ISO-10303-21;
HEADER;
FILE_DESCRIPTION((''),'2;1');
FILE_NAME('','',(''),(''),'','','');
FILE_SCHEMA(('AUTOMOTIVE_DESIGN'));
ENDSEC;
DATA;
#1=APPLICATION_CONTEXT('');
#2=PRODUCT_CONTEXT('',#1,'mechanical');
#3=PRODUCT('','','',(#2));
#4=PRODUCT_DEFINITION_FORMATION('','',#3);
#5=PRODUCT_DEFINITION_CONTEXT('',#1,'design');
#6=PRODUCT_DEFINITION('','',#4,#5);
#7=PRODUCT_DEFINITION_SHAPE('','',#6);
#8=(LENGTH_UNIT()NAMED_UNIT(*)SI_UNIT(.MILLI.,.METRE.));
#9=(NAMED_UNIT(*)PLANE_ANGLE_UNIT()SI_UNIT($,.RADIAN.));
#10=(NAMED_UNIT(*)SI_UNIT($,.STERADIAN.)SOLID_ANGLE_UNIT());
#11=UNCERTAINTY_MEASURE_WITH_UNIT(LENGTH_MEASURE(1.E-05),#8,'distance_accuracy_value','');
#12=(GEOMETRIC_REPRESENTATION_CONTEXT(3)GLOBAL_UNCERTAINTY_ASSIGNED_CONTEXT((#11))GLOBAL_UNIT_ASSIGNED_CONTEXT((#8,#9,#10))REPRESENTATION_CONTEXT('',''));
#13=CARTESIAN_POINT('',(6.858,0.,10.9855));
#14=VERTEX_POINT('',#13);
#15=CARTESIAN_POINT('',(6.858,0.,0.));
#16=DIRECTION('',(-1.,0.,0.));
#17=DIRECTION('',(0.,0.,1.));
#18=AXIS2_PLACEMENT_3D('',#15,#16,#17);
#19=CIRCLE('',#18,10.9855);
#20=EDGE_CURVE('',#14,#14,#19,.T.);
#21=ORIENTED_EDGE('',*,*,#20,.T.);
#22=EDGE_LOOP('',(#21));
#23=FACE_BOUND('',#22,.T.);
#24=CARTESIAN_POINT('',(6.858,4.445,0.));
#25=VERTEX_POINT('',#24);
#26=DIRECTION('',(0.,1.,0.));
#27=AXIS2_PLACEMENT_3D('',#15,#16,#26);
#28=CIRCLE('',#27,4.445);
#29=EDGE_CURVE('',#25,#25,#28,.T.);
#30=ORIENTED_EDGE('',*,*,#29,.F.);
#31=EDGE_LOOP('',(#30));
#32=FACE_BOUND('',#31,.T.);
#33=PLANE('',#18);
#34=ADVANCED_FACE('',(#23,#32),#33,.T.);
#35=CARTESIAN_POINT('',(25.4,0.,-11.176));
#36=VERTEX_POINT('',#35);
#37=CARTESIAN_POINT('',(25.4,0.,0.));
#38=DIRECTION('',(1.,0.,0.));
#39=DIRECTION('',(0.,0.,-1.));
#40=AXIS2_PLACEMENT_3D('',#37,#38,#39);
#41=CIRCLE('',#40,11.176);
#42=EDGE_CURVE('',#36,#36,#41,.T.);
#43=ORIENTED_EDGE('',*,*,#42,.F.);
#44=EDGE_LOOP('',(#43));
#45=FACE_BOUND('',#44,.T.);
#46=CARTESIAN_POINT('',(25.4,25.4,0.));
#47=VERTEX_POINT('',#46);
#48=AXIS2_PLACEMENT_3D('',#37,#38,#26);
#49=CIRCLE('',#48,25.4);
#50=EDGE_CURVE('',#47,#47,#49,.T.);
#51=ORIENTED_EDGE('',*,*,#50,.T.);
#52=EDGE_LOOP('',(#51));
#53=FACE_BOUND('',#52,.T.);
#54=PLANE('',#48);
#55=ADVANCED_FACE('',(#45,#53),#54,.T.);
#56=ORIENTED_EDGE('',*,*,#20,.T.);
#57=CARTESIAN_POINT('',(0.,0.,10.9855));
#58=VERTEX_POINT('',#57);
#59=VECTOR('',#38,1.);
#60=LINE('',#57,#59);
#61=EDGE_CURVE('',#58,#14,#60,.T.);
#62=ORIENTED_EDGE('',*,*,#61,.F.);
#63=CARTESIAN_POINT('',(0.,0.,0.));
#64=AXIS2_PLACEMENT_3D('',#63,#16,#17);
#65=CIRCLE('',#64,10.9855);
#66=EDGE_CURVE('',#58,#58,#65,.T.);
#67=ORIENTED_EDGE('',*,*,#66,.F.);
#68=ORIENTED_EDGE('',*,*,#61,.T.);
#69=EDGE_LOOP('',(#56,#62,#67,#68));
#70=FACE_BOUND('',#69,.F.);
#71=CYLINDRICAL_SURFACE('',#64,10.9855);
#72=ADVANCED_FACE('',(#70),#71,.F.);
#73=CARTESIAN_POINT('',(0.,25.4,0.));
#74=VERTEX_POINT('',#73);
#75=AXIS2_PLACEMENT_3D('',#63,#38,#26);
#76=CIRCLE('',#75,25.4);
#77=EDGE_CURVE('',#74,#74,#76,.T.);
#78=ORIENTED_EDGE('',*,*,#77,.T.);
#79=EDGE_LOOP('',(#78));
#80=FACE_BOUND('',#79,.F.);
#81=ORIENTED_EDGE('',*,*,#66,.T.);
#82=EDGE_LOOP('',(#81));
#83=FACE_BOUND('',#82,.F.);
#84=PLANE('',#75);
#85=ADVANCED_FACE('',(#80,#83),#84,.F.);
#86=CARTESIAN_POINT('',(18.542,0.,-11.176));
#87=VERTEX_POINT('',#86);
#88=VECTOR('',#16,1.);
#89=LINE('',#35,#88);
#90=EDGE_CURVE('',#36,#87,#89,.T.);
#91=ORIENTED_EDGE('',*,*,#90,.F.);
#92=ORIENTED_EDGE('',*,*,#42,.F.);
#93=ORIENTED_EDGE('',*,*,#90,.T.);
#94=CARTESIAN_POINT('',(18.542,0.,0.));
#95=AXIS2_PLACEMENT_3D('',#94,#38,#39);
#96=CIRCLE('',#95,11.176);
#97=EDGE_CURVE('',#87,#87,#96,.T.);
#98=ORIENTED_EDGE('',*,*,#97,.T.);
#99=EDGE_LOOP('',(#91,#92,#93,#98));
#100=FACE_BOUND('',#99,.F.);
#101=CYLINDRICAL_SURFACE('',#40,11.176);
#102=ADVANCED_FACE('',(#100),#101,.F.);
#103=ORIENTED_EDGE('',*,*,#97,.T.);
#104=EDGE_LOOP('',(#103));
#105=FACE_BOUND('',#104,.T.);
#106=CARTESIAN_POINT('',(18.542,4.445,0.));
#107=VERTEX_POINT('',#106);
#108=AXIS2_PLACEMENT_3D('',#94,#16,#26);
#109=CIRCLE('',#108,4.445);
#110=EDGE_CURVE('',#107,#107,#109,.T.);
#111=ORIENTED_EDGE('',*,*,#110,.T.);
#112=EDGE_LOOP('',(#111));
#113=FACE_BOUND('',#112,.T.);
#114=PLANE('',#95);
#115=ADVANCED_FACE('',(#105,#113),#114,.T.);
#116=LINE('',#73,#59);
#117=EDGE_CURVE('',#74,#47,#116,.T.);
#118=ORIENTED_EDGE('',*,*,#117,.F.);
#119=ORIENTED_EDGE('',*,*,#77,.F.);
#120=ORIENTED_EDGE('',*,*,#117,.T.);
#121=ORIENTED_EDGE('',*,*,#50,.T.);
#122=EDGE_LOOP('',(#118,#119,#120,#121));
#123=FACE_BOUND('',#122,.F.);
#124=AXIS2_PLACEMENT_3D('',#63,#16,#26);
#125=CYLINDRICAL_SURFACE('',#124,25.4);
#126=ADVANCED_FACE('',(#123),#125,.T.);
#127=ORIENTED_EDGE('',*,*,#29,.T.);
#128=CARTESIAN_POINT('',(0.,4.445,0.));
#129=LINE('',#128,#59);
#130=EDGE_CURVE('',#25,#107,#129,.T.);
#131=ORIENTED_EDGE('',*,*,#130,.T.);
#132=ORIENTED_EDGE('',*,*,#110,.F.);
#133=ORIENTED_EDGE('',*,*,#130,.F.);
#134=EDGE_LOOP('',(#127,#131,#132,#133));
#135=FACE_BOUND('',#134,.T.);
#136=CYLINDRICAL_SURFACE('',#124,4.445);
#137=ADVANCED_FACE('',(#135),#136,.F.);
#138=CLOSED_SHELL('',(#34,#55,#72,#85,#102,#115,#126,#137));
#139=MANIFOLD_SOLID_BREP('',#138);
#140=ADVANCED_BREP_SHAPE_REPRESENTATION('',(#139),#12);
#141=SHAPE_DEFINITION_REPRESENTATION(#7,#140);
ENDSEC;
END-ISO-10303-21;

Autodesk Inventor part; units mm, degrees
ref_plane "YZ Plane" through (0, 0, 0) normal (1, 0, 0) x (0, 1, 0)
ref_plane "XZ Plane" through (0, 0, 0) normal (0, 1, 0) x (-1, 0, 0)
ref_plane "XY Plane" through (0, 0, 0) normal (0, 0, 1) x (1, 0, 0)
sketch "Sketch1" plane through (0, 0, 0) normal (1, 0, 0) x (0, 1, 0)
  circle A0 centre (0, 0) radius 25.4
  circle A1 centre (0, 0) radius 4.445
  dimension "d3" = 8.89
extrude "Extrusion1" add sketch "Sketch1" along normal blind 25.4
sketch "Sketch2" plane through (0, 0, 0) normal (-1, 0, 0) x (0, 0, 1)
  circle A0 centre (0, 0) radius 10.9855
  dimension "d6" = 21.971
extrude "Extrusion2" cut sketch "Sketch2" against normal blind 6.858
sketch "Sketch3" plane through (25.4, 0, 0) normal (1, 0, 0) x (0, 0, -1)
  circle A0 centre (0, 0) radius 10.9855
  dimension "d9" = 21.971
extrude "Extrusion3" cut sketch "Sketch3" against normal blind 6.858
sketch "Sketch5" plane through (25.4, 0, 0) normal (1, 0, 0) x (0, 0, -1)
  circle A0 centre (0, 0) radius 4.445 projected
  circle A1 centre (0, 0) radius 11.176
  dimension "d48" = 22.352
extrude "Extrusion8" cut sketch "Sketch5" against normal up to surface (6.858 mm away)
properties part number "correct_wheel"
